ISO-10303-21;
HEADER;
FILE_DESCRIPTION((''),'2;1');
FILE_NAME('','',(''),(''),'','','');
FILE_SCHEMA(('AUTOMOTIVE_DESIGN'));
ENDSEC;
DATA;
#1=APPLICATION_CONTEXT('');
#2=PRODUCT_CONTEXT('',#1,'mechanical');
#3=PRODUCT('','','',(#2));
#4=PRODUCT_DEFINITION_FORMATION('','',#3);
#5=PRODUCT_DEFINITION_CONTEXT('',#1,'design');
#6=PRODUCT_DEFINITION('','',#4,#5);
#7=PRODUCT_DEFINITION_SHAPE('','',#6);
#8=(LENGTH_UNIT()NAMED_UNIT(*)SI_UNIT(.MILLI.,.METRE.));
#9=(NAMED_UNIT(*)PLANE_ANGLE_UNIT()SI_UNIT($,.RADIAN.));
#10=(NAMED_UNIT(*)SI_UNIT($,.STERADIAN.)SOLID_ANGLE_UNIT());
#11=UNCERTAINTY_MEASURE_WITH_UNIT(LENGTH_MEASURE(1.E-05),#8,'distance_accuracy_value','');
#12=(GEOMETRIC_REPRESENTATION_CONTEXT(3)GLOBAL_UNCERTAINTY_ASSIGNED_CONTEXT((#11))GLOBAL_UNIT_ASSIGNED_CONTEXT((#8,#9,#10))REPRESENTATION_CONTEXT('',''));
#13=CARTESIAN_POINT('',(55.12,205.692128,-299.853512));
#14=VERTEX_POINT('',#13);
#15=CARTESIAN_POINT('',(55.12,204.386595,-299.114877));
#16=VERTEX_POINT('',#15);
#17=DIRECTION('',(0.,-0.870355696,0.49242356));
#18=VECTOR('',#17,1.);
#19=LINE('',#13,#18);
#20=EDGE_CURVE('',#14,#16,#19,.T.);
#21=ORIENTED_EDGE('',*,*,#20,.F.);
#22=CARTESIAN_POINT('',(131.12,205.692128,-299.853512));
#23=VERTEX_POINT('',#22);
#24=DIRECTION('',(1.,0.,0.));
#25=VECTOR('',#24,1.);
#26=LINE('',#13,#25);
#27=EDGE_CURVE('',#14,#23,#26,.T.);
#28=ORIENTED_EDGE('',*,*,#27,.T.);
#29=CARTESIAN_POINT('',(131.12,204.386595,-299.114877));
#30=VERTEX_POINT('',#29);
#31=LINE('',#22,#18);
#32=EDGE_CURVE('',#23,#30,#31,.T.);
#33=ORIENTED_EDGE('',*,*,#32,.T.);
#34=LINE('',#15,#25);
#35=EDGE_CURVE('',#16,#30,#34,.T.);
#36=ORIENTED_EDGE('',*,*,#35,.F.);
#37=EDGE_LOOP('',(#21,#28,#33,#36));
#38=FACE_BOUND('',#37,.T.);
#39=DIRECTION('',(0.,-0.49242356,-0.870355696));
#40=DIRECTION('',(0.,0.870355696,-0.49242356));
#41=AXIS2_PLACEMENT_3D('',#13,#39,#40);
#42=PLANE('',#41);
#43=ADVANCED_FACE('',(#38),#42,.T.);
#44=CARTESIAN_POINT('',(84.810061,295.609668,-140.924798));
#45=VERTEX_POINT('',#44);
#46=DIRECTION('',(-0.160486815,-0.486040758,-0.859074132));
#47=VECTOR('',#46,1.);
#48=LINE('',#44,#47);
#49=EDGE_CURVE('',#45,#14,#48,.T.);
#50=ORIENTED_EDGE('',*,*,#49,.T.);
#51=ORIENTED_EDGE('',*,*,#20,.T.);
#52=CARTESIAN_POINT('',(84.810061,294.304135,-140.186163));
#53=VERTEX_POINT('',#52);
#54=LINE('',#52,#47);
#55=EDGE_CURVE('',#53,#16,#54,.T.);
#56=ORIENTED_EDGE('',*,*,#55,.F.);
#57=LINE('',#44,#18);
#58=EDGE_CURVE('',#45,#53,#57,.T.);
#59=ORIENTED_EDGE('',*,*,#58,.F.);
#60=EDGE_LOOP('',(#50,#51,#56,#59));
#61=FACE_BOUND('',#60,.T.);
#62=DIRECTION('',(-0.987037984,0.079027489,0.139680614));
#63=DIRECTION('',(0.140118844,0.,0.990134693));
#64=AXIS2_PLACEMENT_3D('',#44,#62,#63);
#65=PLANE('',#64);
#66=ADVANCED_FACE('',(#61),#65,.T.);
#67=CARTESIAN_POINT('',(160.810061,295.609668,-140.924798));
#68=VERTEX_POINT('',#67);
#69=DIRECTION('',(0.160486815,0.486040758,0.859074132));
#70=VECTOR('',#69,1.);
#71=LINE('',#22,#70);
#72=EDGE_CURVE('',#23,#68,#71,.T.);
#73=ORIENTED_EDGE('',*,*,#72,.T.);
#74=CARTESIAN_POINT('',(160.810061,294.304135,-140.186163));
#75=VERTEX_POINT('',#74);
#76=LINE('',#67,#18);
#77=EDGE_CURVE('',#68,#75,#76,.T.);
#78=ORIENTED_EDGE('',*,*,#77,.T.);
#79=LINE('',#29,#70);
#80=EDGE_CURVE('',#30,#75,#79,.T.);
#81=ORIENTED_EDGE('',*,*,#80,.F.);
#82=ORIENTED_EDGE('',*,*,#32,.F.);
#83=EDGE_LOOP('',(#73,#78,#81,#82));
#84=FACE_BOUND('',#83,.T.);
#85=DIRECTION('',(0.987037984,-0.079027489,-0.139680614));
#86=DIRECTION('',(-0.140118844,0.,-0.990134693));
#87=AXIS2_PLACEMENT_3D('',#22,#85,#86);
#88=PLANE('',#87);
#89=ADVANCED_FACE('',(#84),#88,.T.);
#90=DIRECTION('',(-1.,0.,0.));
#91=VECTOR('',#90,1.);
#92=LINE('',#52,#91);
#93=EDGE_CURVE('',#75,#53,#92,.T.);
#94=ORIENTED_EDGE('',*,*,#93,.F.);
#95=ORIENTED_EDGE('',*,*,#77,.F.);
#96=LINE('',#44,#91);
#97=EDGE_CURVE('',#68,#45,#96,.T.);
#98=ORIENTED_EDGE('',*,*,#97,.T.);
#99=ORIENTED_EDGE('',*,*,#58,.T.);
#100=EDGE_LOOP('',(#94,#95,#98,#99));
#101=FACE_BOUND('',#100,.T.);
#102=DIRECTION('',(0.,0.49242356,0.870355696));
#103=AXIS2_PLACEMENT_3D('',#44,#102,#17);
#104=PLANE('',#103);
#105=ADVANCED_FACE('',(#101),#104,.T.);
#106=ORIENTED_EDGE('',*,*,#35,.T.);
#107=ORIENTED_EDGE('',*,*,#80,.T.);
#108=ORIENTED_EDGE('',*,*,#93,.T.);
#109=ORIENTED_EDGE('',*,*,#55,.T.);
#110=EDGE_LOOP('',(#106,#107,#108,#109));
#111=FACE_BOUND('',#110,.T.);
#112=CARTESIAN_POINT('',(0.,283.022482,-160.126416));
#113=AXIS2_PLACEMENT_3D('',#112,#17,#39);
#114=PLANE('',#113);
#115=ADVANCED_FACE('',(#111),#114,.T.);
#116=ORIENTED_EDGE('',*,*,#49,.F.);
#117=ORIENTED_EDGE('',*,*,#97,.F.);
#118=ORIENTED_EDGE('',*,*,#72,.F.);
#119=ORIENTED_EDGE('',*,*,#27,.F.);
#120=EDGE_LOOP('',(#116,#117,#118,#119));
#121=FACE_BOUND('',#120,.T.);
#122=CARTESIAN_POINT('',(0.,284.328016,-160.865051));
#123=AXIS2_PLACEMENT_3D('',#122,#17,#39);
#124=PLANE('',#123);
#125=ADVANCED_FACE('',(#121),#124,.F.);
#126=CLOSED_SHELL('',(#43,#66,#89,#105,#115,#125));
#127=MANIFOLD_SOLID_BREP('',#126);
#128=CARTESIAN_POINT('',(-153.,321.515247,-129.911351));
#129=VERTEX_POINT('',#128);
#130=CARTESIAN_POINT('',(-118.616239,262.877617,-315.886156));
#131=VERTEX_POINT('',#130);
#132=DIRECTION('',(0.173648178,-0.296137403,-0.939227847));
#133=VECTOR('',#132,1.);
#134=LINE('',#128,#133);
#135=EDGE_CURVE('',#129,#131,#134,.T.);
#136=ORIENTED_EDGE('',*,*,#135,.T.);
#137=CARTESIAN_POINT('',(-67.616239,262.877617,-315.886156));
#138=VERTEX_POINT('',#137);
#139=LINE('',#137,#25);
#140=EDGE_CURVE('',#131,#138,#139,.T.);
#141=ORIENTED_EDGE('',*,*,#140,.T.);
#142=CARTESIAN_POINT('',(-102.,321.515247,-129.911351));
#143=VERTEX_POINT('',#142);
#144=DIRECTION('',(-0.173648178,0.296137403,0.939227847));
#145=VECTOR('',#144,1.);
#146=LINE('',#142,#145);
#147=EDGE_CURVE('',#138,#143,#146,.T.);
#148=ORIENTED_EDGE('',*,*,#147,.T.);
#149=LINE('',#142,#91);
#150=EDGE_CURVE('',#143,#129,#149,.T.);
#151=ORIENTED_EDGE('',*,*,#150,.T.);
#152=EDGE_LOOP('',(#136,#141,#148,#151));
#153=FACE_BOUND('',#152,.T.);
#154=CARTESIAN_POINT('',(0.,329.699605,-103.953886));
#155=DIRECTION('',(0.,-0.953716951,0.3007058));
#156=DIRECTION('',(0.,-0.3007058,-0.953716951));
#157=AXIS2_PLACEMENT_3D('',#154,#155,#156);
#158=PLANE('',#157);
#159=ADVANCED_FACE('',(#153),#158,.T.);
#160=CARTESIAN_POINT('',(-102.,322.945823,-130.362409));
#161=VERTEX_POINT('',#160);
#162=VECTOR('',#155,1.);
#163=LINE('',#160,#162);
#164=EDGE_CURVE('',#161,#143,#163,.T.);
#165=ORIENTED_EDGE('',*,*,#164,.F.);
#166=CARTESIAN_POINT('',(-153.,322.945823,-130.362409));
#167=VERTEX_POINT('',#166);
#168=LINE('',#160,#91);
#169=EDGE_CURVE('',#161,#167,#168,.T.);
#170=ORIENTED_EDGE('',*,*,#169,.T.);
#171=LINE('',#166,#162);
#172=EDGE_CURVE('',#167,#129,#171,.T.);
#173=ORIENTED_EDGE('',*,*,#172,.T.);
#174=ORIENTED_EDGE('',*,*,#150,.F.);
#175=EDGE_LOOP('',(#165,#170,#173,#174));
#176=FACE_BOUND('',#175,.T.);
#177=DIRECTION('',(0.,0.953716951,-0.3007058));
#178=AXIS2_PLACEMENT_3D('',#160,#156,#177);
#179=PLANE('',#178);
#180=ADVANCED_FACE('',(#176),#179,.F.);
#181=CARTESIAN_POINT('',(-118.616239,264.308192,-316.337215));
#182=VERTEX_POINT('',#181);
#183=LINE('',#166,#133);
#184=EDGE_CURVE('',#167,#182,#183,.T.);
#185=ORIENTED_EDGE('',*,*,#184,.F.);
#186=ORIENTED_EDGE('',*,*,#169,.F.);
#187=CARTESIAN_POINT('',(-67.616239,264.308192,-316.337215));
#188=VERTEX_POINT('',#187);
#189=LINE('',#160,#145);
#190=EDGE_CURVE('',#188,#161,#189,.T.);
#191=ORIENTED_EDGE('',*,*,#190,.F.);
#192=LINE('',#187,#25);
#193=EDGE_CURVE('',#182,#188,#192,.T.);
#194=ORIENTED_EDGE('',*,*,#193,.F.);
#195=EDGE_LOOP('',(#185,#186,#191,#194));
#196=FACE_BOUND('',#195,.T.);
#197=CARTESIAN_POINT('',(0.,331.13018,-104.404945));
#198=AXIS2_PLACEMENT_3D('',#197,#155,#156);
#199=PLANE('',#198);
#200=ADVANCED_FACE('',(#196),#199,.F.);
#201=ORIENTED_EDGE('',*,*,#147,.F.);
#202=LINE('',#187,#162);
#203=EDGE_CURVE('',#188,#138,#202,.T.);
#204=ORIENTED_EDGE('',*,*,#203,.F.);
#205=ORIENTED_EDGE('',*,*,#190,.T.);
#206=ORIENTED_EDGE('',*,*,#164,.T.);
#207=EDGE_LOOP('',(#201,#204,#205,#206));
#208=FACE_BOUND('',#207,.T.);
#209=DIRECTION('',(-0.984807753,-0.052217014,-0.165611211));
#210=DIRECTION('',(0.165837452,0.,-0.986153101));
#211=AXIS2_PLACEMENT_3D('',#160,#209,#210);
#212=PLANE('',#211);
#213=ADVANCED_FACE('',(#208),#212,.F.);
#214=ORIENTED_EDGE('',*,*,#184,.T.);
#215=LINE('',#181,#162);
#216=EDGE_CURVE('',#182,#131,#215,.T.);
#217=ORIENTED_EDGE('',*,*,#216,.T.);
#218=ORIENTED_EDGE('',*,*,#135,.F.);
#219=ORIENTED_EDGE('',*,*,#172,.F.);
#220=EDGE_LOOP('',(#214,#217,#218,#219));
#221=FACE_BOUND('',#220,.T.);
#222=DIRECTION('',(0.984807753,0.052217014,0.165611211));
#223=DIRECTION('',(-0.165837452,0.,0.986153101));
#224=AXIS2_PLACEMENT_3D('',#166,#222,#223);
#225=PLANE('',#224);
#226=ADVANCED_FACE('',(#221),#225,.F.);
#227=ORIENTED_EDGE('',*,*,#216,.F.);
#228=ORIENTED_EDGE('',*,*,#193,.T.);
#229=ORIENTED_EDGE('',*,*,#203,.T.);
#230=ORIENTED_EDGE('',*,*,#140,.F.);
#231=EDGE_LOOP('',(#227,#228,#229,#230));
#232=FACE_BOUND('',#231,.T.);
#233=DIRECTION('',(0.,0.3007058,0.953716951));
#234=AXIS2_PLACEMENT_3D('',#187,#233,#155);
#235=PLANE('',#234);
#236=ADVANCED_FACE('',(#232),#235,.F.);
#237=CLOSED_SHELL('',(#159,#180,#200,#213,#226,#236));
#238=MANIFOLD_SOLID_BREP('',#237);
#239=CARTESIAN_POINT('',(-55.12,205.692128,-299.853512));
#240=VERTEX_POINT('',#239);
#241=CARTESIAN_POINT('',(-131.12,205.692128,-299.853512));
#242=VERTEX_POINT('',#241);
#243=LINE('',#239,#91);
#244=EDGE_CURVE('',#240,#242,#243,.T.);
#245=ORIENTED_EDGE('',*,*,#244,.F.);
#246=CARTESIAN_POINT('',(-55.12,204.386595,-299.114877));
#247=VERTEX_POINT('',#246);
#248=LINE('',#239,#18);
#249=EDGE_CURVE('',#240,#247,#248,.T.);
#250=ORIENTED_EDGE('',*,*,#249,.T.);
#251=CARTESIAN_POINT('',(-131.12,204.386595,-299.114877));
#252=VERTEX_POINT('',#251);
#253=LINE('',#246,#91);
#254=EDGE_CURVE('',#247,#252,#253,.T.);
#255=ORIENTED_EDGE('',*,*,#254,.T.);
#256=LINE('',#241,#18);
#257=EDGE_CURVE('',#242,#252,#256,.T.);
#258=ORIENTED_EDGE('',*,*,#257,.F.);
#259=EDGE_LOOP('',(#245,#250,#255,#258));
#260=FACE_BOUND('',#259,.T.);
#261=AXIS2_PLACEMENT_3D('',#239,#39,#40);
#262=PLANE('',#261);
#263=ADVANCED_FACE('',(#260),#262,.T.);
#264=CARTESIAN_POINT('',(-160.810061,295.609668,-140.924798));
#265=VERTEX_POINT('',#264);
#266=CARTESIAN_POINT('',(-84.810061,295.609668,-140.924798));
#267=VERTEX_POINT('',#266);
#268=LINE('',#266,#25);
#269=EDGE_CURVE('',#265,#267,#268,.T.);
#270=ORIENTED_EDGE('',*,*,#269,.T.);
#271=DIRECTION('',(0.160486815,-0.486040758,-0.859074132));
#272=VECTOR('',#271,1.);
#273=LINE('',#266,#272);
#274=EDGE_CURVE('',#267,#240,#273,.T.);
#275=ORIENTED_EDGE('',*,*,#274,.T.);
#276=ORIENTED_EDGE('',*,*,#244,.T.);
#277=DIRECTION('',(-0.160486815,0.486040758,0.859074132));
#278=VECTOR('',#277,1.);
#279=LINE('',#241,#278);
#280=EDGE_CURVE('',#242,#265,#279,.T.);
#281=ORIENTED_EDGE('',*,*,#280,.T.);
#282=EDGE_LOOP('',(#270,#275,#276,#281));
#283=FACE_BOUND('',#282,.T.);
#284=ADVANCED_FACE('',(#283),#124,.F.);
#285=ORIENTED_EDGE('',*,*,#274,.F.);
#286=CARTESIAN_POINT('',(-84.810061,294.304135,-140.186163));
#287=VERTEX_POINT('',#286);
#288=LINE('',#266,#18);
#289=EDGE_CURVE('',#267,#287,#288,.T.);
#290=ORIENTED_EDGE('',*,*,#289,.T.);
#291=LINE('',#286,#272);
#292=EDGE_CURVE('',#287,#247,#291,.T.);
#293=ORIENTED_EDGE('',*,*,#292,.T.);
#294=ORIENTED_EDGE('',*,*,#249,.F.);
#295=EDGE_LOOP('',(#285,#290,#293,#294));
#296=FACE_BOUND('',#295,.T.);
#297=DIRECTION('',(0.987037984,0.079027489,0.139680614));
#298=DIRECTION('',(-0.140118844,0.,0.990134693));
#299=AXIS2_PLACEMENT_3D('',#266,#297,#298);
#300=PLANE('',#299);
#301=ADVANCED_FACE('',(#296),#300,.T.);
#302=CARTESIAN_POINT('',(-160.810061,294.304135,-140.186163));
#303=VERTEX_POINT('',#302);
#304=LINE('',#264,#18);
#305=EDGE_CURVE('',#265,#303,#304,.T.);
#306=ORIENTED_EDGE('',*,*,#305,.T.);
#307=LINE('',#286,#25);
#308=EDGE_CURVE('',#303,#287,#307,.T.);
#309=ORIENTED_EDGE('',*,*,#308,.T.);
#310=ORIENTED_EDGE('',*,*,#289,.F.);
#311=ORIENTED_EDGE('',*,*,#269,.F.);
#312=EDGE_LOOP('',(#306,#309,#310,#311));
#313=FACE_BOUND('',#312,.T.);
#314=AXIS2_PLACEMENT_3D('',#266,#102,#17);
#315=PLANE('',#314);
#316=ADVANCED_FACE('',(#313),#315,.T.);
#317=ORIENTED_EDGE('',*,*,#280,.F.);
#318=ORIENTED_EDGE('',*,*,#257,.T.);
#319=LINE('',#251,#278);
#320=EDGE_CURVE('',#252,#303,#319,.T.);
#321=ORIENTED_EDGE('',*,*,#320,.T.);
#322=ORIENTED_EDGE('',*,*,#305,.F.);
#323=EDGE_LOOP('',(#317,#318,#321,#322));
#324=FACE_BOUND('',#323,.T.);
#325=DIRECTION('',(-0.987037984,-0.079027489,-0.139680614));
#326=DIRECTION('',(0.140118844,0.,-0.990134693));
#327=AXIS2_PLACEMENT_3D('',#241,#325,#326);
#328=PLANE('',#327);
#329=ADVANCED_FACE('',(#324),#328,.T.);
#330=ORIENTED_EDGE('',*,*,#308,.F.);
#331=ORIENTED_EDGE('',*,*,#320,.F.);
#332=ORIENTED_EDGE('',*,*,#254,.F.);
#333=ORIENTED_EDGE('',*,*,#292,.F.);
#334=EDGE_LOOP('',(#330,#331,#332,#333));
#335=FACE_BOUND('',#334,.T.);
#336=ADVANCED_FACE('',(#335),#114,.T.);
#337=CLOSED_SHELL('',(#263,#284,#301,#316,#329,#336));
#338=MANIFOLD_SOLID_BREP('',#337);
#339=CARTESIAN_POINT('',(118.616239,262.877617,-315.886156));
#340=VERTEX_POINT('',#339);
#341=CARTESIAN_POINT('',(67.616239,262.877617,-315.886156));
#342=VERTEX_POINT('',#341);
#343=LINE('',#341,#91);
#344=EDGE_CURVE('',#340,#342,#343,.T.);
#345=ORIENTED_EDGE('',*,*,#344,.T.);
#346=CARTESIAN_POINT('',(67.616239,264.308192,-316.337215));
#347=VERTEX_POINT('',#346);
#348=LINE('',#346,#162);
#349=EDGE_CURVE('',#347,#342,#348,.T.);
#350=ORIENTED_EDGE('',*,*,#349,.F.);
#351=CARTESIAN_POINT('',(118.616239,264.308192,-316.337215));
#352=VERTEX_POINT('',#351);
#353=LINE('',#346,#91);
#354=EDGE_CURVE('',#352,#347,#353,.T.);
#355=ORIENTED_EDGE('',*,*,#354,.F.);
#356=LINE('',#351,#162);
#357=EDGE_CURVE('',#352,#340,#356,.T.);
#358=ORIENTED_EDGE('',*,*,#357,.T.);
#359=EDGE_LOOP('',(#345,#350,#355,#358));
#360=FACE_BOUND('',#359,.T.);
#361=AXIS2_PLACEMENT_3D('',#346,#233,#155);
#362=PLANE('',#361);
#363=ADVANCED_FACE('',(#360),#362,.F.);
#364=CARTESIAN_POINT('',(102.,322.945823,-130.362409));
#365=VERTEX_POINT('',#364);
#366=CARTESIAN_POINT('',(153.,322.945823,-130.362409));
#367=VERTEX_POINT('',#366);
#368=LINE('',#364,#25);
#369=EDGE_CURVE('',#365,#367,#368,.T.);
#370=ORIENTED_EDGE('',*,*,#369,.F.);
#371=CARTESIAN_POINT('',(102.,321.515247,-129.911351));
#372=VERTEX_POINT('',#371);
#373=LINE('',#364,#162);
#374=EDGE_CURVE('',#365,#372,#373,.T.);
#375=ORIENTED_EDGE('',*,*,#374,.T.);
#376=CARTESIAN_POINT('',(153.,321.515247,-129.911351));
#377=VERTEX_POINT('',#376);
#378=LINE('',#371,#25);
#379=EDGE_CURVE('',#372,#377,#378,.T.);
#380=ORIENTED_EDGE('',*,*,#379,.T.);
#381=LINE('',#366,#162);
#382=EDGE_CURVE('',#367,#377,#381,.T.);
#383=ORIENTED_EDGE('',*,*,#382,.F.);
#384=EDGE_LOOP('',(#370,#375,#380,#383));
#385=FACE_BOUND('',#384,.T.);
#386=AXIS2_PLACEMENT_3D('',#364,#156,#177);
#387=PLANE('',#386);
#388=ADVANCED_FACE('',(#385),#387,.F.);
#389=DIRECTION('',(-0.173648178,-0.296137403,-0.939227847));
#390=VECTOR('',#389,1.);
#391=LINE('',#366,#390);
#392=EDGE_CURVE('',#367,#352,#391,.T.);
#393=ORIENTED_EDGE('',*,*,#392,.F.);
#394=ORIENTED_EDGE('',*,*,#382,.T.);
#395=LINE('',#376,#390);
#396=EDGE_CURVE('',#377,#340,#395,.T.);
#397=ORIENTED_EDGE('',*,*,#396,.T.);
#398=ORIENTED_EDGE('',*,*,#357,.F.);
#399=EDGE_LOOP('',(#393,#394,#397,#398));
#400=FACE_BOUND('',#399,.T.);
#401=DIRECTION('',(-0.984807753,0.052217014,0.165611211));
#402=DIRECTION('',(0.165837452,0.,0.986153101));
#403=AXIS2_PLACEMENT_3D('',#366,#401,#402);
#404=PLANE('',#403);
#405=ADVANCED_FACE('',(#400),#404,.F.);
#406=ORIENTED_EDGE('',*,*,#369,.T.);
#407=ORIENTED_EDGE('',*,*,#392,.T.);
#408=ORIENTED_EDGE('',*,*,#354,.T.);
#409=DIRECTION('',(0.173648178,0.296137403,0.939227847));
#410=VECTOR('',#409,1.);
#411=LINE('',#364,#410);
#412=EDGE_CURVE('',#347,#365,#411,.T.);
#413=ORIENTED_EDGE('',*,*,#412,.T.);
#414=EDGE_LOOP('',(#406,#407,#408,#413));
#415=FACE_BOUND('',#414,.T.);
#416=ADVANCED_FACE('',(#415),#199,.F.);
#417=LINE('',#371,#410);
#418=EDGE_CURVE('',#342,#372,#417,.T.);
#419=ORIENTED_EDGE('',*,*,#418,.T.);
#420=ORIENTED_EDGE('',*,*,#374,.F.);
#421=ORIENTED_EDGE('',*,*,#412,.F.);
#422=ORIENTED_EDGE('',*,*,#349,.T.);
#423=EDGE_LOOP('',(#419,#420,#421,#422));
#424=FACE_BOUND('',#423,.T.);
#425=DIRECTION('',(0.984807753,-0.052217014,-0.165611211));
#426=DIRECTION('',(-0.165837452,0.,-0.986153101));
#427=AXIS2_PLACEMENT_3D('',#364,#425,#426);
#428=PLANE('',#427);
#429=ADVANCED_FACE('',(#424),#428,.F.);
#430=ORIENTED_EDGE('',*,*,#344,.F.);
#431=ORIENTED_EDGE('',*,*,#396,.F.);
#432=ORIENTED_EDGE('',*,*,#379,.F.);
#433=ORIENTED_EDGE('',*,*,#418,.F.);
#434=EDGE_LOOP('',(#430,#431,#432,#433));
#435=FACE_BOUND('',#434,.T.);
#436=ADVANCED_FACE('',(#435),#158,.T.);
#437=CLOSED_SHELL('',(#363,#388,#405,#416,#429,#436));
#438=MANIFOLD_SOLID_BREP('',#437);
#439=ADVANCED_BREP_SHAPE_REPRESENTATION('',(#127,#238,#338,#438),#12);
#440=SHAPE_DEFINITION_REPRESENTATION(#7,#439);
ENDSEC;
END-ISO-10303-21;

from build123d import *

# Parameters (mm, degrees)
BOSS_EXTRUDE1_DEPTH = 1.5
BOSS_EXTRUDE2_DEPTH = 1.5


with BuildPart() as part:
    # Sketch1 → Boss-Extrude1 (new body)
    with BuildSketch(Plane(origin=(0, 329.699604605, -103.953886026), x_dir=(1, 0, 0), z_dir=(0, 0.953716951, -0.3007058))):
        Polygon((102, 27.217157705), (153, 27.217157705), (118.616238762, 222.217157705), (67.616238762, 222.217157705), align=None)
    extrude(amount=BOSS_EXTRUDE1_DEPTH)


with BuildPart() as body_2:
    # Sketch2 → Boss-Extrude2 (new body)
    with BuildSketch(Plane(origin=(0, 283.022482375, -160.126416143), x_dir=(1, 0, 0), z_dir=(0, -0.870355696, 0.49242356))):
        Polygon((84.810060817, 22.910464575), (160.810060817, 22.910464575), (131.12, -159.691562491), (55.12, -159.691562491), align=None)
    extrude(amount=-BOSS_EXTRUDE2_DEPTH)


with BuildPart() as body_3:
    # Mirror2: mirrored copy
    add(part.part.mirror(Plane(origin=(0, 0, 0), x_dir=(0, 0, 1), z_dir=(1, 0, 0))))


with BuildPart() as body_4:
    # Mirror2 2: mirrored copy
    add(body_2.part.mirror(Plane(origin=(0, 0, 0), x_dir=(0, 0, 1), z_dir=(1, 0, 0))))


solid = Compound([part.part, body_2.part, body_3.part, body_4.part])
